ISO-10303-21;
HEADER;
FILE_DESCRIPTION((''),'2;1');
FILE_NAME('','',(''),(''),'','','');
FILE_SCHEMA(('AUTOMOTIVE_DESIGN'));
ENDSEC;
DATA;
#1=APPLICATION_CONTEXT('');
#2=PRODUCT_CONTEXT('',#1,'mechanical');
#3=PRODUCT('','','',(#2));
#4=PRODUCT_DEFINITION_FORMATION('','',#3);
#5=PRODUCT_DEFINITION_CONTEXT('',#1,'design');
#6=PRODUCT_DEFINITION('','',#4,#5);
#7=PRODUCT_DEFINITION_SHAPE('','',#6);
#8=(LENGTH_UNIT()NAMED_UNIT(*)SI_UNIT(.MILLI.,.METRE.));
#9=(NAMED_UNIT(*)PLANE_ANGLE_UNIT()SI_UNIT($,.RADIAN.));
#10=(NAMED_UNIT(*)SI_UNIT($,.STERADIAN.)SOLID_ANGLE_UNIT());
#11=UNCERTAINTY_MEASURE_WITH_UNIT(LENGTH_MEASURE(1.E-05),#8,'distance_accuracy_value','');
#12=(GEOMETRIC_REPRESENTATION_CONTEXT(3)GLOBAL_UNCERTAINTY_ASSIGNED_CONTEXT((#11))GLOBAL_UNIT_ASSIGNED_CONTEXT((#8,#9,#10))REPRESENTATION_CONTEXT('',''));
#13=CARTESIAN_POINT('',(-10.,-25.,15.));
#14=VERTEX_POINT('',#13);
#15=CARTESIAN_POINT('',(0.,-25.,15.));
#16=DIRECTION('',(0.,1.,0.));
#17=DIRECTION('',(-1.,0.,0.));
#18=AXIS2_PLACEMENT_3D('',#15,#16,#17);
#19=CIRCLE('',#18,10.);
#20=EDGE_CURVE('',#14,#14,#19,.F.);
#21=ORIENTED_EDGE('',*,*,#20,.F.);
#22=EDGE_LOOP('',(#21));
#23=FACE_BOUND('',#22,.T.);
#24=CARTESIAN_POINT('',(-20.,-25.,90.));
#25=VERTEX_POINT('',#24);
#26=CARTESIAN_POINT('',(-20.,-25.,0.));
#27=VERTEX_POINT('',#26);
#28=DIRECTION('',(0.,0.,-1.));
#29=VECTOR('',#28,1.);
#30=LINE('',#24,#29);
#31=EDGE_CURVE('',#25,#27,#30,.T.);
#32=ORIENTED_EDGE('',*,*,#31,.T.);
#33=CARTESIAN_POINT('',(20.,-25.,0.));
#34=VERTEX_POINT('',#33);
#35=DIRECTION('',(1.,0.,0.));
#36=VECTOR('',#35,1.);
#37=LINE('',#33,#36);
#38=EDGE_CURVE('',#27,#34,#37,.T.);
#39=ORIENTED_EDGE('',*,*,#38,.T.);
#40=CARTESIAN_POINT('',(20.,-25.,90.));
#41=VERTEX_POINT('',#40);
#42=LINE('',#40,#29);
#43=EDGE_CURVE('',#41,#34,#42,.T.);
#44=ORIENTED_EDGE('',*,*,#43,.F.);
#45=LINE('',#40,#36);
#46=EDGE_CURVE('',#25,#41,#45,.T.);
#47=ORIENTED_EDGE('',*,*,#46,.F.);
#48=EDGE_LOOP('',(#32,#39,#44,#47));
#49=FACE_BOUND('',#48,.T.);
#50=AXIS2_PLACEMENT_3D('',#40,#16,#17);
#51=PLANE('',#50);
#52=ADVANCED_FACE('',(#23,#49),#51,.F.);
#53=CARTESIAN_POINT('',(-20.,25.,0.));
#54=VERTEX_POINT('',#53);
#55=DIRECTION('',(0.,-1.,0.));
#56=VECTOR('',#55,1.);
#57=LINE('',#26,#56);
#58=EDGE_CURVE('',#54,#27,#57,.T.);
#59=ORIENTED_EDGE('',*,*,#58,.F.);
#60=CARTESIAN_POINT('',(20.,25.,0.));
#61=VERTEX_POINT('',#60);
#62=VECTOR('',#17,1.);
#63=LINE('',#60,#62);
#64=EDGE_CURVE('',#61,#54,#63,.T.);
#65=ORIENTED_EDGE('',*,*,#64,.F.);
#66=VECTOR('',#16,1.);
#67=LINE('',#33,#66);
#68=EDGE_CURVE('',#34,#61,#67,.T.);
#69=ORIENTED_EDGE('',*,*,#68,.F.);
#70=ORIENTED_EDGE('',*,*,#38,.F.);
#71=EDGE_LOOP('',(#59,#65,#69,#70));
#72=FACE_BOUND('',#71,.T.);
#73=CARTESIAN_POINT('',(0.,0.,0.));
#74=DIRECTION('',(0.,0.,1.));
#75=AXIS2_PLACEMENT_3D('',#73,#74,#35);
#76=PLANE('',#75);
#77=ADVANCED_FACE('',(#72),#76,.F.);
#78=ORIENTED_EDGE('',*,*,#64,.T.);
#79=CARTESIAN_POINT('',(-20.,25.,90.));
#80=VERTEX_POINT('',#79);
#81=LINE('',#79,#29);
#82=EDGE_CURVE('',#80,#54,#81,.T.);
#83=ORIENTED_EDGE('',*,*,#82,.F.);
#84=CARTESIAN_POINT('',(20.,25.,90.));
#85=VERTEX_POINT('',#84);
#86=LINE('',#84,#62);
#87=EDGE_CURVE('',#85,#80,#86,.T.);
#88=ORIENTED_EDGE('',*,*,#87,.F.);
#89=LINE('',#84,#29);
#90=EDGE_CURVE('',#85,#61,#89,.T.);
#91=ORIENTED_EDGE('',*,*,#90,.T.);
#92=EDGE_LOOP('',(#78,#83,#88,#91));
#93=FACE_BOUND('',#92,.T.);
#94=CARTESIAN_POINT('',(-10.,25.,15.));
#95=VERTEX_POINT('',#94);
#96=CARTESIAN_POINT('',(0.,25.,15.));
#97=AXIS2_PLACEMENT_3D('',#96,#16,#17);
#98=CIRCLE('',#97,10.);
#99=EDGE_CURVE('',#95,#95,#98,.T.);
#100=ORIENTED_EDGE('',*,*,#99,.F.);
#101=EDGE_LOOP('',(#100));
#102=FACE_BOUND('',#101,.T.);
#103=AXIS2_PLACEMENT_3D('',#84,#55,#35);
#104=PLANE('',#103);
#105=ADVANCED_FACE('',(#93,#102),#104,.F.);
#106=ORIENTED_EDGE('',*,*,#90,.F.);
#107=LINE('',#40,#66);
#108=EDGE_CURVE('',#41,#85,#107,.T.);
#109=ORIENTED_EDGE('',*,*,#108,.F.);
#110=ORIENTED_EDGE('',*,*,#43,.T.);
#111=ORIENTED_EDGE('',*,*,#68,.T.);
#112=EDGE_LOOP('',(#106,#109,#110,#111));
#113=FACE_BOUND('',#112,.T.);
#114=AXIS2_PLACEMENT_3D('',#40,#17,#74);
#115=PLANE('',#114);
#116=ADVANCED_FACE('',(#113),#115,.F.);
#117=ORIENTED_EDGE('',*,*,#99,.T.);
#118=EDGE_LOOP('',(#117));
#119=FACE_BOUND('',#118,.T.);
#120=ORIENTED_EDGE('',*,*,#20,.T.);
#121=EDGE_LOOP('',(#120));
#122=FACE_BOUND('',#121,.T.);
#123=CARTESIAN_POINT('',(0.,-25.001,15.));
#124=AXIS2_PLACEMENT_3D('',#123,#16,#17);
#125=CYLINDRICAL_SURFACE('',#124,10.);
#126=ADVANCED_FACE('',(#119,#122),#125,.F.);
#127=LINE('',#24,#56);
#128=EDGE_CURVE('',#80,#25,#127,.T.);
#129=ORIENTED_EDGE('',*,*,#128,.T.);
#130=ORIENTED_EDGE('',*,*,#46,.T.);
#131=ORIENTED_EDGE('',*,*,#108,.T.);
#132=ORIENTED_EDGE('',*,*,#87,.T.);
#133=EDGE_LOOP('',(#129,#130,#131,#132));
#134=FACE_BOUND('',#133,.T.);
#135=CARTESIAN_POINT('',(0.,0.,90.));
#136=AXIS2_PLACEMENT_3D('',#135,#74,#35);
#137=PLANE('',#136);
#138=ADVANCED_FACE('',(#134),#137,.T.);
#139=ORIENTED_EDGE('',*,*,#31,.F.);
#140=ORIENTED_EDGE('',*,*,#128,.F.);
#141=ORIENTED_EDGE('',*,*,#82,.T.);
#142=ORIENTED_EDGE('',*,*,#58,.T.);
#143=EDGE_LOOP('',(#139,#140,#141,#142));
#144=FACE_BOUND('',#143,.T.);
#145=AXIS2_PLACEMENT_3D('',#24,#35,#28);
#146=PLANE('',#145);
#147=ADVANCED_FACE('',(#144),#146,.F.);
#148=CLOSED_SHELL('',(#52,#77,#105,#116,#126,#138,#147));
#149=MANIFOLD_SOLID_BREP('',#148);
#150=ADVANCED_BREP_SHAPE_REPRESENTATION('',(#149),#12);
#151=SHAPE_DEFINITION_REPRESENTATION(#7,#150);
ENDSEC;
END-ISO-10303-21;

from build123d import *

# Parameters (mm, degrees)
SKETCH1_W           = 40
SKETCH1_H           = 50
BOSS_EXTRUDE1_DEPTH = 90
CUT_EXTRUDE1_REACH  = 106.881
SKETCH2_R           = 10


with BuildPart() as part:
    # Sketch1 → Boss-Extrude1 (new body)
    with BuildSketch(Plane.XY):
        Rectangle(SKETCH1_W, SKETCH1_H)
    extrude(amount=BOSS_EXTRUDE1_DEPTH)

    # Sketch2 → Cut-Extrude1 (cut, up to next)
    with BuildSketch(Plane(origin=(0, 25, 0), x_dir=(1, 0, 0), z_dir=(0, 1, 0)), mode=Mode.PRIVATE) as cut_extrude1_sk1:
        with Locations(Location((0, -15, 0), (0, 0, 180))):
            Circle(SKETCH2_R)
    cut_extrude1_tool1 = extrude(cut_extrude1_sk1.sketch, amount=-CUT_EXTRUDE1_REACH, mode=Mode.PRIVATE) & part.part
    add(cut_extrude1_tool1.solids().sort_by_distance((0, 25, 15))[0], mode=Mode.SUBTRACT)


solid = part.part
